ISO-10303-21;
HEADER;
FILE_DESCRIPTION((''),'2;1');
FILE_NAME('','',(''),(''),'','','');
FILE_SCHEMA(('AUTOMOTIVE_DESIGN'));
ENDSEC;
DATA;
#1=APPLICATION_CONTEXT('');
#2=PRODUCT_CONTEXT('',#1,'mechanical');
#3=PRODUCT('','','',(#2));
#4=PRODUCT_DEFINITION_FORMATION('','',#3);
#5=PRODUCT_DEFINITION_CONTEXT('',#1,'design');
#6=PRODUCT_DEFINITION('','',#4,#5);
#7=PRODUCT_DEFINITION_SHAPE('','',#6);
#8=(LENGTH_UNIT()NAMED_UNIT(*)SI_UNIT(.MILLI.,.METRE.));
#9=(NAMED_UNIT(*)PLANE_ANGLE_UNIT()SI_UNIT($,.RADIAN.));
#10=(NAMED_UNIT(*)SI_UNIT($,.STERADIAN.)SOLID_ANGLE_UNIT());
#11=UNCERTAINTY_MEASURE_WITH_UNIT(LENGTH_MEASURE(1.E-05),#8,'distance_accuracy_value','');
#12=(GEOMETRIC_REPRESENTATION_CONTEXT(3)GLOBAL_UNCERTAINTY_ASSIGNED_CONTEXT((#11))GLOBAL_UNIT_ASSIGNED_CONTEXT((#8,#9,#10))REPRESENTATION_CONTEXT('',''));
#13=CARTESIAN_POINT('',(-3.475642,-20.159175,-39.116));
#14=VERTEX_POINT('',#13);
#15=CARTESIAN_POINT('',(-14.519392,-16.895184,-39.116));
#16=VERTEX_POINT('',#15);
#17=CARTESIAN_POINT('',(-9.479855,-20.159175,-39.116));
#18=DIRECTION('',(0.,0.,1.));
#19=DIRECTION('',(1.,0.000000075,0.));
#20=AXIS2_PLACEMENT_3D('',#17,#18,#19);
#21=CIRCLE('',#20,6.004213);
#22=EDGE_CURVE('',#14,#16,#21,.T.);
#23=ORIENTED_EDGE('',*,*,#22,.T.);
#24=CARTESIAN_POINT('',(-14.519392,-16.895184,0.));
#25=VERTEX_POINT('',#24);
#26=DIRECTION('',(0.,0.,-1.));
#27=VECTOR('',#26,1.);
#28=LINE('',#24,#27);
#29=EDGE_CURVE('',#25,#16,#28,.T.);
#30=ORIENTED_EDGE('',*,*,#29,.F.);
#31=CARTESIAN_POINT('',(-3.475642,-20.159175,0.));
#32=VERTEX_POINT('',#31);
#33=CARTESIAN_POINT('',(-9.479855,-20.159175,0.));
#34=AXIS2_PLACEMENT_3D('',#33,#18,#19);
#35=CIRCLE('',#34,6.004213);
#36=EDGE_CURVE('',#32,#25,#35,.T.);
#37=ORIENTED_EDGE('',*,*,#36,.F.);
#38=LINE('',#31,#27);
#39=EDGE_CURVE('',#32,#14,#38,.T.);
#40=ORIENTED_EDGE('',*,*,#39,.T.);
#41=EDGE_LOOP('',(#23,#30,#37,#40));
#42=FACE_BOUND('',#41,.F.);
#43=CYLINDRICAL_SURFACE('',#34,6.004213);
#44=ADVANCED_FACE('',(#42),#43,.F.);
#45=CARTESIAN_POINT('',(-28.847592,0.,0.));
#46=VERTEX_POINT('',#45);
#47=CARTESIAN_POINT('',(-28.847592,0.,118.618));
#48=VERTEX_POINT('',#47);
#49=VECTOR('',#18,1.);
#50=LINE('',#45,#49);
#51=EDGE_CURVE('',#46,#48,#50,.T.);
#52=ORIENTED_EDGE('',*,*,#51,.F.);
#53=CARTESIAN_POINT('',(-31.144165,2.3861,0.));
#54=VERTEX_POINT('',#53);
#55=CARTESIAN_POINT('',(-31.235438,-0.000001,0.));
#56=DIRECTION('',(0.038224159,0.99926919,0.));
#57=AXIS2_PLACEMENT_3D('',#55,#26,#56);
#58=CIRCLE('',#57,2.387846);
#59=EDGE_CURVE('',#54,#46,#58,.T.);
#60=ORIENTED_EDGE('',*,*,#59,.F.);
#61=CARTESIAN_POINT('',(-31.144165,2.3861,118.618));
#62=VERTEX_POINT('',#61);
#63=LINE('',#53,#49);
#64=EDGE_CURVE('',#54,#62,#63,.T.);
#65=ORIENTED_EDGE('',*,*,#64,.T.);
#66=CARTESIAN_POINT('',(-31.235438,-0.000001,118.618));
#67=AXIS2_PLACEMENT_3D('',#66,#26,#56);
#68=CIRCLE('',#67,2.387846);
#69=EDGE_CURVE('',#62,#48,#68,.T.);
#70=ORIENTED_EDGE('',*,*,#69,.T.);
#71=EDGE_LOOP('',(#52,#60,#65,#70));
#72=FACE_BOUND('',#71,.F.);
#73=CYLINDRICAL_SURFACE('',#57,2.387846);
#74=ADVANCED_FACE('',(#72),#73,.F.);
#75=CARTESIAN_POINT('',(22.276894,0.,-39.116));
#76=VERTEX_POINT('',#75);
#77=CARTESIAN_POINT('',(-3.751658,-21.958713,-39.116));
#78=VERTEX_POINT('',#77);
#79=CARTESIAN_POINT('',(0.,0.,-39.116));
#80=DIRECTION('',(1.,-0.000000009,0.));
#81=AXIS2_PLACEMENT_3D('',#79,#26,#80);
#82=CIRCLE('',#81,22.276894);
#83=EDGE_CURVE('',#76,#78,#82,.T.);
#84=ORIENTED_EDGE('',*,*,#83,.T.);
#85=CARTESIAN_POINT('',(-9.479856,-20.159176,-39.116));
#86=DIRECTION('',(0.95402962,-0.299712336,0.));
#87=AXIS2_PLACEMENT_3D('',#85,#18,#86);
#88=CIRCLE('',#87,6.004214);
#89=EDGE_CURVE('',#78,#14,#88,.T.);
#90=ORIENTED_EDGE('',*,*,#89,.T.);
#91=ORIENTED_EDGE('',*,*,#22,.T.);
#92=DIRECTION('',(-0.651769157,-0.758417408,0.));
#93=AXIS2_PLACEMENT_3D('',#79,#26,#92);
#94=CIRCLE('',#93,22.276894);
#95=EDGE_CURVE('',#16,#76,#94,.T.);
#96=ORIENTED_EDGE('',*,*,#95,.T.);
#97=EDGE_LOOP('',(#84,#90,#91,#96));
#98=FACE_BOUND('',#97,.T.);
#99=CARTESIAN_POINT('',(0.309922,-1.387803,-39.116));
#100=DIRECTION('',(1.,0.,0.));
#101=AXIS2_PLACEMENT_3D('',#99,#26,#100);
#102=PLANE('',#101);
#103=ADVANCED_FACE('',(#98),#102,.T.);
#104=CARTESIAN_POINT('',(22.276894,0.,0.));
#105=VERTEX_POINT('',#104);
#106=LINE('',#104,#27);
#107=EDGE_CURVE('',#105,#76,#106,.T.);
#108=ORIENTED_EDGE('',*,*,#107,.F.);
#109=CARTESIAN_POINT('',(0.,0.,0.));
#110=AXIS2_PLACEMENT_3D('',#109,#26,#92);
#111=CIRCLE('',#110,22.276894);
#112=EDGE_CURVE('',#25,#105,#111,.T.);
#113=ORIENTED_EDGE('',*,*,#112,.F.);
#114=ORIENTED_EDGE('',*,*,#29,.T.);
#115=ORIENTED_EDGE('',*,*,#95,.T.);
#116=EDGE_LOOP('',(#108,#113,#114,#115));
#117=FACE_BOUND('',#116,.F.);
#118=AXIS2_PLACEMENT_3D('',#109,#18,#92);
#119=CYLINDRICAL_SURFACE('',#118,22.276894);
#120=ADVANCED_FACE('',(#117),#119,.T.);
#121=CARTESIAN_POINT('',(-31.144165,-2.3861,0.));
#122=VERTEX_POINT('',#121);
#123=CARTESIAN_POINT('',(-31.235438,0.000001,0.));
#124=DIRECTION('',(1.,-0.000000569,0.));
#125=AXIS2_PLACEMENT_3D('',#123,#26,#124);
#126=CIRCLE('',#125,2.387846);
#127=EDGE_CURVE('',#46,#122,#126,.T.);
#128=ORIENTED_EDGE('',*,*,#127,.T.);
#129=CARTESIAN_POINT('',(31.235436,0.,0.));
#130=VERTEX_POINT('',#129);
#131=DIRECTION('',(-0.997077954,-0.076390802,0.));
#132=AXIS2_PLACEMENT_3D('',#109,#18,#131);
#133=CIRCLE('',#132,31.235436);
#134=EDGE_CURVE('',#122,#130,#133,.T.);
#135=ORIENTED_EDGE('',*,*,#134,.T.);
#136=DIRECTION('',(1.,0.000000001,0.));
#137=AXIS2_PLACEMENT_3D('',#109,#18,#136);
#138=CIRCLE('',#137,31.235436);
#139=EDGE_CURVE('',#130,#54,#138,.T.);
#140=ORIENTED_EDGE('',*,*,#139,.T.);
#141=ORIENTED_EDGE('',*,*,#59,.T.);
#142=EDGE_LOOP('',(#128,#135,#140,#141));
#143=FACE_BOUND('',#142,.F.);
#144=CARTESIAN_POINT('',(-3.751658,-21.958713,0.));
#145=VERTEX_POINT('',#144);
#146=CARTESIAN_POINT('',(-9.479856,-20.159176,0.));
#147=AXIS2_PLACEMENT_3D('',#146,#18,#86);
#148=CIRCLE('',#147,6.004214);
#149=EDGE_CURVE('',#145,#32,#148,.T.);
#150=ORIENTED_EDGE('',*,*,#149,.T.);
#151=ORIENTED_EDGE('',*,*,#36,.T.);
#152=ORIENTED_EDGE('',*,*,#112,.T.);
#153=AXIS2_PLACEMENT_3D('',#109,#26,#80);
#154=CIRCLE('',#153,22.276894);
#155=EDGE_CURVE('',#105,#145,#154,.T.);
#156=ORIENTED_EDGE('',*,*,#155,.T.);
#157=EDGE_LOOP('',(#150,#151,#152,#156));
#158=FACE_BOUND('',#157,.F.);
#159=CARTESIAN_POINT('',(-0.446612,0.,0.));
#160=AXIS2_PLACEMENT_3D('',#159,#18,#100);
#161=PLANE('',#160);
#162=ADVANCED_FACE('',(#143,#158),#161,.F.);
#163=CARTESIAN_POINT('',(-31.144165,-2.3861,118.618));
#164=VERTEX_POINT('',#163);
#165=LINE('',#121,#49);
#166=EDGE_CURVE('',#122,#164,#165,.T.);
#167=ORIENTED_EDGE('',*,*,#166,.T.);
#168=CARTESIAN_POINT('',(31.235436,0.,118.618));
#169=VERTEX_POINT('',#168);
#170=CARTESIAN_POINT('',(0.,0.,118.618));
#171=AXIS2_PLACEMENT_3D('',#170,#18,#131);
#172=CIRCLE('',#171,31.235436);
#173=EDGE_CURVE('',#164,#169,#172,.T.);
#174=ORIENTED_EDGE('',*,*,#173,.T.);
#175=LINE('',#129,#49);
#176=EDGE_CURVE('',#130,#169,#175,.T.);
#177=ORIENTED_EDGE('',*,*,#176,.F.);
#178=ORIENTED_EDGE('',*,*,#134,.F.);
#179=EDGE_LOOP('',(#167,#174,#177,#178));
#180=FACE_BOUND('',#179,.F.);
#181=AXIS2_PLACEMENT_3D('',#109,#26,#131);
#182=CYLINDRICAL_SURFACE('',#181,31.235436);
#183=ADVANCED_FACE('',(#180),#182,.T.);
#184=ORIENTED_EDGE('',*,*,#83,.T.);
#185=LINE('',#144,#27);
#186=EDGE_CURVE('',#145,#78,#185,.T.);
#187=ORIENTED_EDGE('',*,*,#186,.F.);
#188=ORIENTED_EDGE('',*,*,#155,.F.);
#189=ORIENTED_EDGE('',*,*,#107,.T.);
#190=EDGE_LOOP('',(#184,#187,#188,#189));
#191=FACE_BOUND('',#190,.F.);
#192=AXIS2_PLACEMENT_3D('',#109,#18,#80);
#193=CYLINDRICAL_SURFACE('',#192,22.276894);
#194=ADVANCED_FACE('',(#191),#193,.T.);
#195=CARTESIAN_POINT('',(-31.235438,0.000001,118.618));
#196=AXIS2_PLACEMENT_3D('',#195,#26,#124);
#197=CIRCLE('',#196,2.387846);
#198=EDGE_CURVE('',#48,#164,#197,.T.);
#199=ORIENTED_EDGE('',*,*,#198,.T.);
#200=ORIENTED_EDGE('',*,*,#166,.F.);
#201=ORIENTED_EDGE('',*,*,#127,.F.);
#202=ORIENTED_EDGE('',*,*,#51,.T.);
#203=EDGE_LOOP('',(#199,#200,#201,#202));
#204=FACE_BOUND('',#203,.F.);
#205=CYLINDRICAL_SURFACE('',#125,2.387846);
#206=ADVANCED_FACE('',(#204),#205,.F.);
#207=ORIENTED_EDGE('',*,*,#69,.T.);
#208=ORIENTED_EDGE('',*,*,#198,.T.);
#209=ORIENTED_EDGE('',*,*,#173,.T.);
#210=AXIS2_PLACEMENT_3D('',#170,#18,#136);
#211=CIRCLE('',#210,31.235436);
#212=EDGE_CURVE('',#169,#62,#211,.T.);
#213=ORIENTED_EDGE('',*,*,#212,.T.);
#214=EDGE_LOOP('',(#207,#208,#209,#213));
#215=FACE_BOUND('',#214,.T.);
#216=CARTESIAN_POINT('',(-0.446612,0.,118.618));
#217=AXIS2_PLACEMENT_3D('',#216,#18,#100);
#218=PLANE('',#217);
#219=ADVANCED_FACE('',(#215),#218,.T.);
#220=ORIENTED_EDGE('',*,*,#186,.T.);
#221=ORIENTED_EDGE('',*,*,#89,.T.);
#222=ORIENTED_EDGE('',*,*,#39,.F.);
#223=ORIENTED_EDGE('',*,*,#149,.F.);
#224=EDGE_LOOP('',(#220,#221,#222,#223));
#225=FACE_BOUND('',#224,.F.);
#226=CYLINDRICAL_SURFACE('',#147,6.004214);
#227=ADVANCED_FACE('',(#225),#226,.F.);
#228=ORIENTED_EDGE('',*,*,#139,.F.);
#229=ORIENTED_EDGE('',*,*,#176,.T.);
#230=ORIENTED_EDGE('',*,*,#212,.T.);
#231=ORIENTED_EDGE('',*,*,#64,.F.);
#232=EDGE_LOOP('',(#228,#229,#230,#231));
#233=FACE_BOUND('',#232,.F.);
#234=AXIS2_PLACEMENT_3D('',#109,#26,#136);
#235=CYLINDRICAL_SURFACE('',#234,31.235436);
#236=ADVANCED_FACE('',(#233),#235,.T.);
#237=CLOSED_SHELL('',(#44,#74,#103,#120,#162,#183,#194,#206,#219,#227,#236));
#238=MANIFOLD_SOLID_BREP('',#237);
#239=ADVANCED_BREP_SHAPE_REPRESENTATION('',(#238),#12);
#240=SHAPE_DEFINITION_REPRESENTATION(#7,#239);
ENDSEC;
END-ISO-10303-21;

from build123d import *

# Parameters (mm, degrees)
F1_DEPTH = 118.618
F3_DEPTH = 39.116


with BuildPart() as f1:
    # F0 (on Top) → F1 (new body)
    with BuildSketch(Plane.XY):
        with BuildLine():
            ThreePointArc((-31.144165, -2.3861), (1.193922, -31.21261), (31.235436, 0))
            ThreePointArc((31.235436, 0), (1.193922, 31.21261), (-31.144165, 2.3861))
            ThreePointArc((-31.144165, 2.3861), (-29.515009, 1.655877), (-28.847592, 0))
            ThreePointArc((-28.847592, 0), (-29.515009, -1.655877), (-31.144165, -2.3861))
        make_face()
    extrude(amount=F1_DEPTH)

    # F2 (on face) → F3 (join)
    with BuildSketch(Plane(origin=(0, 0, 0), x_dir=(1, 0, 0), z_dir=(0, 0, -1))):
        with BuildLine():
            ThreePointArc((-14.519392, 16.895184), (-9.295511, -20.244838), (22.276894, 0))
            ThreePointArc((22.276894, 0), (14.364622, 17.026968), (-3.751658, 21.958713))
            ThreePointArc((-3.751658, 21.958713), (-3.545047, 21.069466), (-3.475642, 20.159175))
            ThreePointArc((-3.475642, 20.159175), (-7.778073, 14.40118), (-14.519392, 16.895184))
        make_face()
    extrude(amount=F3_DEPTH)


solid = f1.part
